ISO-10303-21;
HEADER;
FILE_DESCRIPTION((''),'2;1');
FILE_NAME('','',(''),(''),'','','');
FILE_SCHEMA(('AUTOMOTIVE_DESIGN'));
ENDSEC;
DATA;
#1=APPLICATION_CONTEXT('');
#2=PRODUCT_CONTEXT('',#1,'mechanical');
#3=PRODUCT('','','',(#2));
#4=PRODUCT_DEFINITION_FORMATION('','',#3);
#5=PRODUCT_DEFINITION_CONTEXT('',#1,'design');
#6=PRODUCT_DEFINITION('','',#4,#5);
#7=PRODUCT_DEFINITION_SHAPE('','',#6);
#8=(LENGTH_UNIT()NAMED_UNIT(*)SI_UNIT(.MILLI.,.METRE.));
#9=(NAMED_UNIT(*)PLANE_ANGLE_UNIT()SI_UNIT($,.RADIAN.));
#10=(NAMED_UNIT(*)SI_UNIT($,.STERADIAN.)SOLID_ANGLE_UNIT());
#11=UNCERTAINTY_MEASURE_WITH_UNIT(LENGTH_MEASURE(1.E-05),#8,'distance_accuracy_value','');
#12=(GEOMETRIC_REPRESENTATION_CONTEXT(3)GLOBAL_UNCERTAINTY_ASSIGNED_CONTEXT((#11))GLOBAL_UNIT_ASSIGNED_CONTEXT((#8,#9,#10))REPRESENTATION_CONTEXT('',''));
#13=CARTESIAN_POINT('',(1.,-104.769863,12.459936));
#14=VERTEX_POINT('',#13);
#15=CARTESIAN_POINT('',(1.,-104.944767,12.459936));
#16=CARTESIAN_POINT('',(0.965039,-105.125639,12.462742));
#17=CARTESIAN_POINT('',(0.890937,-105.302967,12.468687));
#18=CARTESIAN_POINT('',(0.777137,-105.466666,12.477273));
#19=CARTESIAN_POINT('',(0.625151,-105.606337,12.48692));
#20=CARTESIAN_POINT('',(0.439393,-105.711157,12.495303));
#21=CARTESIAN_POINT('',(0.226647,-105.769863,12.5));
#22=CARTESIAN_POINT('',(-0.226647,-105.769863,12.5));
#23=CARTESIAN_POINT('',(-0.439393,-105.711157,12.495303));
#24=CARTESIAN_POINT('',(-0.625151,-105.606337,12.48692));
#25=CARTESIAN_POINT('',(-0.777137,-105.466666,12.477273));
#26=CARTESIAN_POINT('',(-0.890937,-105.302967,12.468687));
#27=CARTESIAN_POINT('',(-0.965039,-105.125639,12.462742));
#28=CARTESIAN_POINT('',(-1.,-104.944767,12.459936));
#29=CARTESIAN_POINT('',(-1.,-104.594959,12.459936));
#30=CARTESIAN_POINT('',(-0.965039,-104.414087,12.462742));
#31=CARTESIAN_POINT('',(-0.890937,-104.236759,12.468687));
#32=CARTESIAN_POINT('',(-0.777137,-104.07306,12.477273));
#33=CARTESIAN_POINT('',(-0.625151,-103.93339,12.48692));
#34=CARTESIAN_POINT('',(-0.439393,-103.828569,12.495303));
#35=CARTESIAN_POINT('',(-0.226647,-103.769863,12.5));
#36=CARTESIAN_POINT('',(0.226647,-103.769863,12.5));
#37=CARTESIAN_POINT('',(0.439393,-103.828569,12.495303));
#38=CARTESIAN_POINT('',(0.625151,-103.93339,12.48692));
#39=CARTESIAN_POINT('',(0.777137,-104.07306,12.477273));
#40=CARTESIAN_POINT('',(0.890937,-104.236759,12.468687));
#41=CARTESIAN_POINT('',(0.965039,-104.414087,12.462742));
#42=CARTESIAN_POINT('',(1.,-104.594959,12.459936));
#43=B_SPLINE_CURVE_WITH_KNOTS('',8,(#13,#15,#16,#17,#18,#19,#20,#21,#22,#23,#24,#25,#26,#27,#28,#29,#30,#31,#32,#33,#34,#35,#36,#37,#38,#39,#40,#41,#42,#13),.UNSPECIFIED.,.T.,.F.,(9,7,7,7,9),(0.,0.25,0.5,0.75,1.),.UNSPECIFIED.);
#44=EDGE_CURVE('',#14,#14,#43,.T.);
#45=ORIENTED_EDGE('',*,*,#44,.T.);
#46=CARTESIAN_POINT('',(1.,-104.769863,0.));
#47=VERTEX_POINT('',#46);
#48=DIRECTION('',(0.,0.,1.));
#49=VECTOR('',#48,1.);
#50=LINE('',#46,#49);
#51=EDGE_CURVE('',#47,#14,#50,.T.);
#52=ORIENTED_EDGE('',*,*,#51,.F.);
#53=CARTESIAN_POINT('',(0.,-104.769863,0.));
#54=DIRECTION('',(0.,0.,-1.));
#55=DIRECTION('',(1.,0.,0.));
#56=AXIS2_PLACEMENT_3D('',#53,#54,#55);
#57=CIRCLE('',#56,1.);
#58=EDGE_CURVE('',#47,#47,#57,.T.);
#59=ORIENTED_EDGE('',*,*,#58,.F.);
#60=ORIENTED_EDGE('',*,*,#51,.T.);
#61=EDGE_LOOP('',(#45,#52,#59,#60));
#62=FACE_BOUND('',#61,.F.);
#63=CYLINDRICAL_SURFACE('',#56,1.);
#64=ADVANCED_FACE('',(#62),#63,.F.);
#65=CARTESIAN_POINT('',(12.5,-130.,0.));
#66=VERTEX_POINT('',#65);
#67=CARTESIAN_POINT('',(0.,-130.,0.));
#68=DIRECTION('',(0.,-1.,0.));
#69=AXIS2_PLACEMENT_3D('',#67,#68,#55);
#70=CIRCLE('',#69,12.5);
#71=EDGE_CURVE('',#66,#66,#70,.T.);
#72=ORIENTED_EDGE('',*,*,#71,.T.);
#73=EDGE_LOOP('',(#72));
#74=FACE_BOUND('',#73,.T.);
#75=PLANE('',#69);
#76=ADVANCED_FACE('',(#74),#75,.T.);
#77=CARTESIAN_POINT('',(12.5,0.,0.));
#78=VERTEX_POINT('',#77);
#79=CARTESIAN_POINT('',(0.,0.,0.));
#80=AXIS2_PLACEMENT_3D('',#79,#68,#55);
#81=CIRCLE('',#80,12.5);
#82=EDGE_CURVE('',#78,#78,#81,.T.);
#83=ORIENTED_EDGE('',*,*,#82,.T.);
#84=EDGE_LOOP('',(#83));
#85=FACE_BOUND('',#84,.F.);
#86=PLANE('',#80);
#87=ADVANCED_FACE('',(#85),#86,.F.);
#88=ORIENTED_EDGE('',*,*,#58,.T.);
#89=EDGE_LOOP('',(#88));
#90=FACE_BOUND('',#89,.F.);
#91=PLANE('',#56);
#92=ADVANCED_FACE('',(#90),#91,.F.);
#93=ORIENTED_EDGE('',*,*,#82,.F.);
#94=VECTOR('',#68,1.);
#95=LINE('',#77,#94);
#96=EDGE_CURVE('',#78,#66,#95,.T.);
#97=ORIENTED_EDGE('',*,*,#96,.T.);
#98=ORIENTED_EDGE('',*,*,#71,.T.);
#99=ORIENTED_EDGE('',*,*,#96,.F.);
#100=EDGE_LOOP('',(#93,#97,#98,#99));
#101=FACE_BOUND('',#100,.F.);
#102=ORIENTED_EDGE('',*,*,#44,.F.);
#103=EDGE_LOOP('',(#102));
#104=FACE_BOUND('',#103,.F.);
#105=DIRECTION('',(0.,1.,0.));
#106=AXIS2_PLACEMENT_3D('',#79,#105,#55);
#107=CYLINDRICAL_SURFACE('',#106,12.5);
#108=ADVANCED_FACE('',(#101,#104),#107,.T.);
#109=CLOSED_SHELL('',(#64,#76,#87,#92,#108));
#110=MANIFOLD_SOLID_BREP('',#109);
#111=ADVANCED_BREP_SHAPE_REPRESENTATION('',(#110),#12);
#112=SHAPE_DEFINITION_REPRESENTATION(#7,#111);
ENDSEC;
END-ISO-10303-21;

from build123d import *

# Parameters (mm, degrees)
F0_R     = 12.5
F1_DEPTH = 130
F3_D     = 2
F3_DEPTH = 12.501


with BuildPart() as f1:
    # F0 (on Front) → F1 (new body)
    with BuildSketch(Plane.XZ):
        Circle(F0_R)
    extrude(amount=F1_DEPTH)

    # F3 (through all, one way)
    with BuildSketch(Plane(origin=(0, 0, 0), x_dir=(1, 0, 0), z_dir=(0, 0, -1))):
        with Locations((0, 104.7698631883)):
            Circle(F3_D / 2)
    extrude(amount=-F3_DEPTH, mode=Mode.SUBTRACT)


solid = f1.part
